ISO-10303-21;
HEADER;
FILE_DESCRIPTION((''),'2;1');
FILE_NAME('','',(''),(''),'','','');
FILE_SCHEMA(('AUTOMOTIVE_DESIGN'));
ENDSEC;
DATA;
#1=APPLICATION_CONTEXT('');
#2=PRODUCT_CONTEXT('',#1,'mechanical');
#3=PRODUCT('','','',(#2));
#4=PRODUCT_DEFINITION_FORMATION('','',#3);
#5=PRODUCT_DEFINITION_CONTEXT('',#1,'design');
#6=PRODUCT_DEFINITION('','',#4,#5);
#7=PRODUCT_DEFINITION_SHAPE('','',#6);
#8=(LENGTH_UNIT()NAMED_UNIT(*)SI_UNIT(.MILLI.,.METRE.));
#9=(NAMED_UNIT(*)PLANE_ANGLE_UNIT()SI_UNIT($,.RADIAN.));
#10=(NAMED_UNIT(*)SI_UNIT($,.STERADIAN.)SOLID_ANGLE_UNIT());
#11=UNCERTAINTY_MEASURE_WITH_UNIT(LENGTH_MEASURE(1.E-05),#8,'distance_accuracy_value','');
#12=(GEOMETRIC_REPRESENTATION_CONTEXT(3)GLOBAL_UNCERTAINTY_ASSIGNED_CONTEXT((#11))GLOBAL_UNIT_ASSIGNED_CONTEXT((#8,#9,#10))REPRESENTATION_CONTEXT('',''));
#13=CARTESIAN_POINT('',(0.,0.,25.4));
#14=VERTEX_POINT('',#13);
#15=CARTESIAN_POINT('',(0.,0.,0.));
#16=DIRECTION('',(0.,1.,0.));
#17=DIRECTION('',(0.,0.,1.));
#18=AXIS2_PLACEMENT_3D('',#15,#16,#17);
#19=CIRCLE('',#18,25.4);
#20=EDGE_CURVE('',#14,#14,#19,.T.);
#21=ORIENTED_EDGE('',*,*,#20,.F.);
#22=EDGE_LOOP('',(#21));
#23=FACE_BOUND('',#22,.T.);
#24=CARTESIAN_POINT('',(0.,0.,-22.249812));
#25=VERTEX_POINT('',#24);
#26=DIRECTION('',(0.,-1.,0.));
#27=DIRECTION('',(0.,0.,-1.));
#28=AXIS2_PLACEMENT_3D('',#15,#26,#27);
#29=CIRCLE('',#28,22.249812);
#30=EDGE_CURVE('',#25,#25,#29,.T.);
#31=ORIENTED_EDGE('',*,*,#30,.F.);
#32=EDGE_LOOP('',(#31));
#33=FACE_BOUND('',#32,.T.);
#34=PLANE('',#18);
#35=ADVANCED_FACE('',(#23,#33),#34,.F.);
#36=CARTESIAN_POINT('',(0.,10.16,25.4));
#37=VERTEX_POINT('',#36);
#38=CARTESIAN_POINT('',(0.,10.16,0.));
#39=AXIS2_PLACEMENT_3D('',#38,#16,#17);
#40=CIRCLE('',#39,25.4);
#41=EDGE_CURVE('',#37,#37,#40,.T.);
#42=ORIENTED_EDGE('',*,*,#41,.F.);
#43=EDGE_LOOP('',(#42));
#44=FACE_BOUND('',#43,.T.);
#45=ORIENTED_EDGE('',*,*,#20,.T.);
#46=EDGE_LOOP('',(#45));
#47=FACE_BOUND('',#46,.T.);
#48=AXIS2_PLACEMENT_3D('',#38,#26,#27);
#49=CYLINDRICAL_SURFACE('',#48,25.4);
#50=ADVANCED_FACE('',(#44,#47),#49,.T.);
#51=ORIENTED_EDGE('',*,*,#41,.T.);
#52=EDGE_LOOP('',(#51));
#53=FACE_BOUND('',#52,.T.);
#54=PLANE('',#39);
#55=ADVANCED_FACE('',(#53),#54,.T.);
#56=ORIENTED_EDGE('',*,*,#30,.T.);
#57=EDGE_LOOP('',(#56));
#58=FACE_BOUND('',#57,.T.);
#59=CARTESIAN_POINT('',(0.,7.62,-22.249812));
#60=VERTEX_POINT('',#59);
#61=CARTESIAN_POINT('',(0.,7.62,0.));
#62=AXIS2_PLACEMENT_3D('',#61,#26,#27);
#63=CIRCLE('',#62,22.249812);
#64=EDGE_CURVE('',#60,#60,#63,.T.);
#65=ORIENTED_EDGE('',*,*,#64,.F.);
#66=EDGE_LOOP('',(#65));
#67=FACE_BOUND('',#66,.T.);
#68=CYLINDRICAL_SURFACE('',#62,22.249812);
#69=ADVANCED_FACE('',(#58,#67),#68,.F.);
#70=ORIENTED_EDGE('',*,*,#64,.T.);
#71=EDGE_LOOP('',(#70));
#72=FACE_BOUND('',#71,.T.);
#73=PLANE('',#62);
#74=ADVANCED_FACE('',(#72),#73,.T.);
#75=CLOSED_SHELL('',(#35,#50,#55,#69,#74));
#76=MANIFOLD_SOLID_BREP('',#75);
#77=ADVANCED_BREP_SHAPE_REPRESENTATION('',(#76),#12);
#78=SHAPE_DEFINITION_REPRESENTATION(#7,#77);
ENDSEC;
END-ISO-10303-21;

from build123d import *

# Parameters (mm, degrees)
SKETCH3_R           = 25.4
BOSS_EXTRUDE1_DEPTH = 10.16
SKETCH5_R           = 22.249811892
CUT_EXTRUDE1_DEPTH  = 7.62


with BuildPart() as part:
    # Sketch3 → Boss-Extrude1 (new body)
    with BuildSketch(Plane(origin=(0, 0, 0), x_dir=(1, 0, 0), z_dir=(0, 1, 0))):
        with Locations(Location((0, 0, 0), (0, 0, 270))):
            Circle(SKETCH3_R)
    extrude(amount=BOSS_EXTRUDE1_DEPTH)

    # Sketch5 → Cut-Extrude1 (cut)
    with BuildSketch(Plane.XZ):
        with Locations(Location((0, 0, 0), (0, 0, 270))):
            Circle(SKETCH5_R)
    extrude(amount=-CUT_EXTRUDE1_DEPTH, mode=Mode.SUBTRACT)


solid = part.part
